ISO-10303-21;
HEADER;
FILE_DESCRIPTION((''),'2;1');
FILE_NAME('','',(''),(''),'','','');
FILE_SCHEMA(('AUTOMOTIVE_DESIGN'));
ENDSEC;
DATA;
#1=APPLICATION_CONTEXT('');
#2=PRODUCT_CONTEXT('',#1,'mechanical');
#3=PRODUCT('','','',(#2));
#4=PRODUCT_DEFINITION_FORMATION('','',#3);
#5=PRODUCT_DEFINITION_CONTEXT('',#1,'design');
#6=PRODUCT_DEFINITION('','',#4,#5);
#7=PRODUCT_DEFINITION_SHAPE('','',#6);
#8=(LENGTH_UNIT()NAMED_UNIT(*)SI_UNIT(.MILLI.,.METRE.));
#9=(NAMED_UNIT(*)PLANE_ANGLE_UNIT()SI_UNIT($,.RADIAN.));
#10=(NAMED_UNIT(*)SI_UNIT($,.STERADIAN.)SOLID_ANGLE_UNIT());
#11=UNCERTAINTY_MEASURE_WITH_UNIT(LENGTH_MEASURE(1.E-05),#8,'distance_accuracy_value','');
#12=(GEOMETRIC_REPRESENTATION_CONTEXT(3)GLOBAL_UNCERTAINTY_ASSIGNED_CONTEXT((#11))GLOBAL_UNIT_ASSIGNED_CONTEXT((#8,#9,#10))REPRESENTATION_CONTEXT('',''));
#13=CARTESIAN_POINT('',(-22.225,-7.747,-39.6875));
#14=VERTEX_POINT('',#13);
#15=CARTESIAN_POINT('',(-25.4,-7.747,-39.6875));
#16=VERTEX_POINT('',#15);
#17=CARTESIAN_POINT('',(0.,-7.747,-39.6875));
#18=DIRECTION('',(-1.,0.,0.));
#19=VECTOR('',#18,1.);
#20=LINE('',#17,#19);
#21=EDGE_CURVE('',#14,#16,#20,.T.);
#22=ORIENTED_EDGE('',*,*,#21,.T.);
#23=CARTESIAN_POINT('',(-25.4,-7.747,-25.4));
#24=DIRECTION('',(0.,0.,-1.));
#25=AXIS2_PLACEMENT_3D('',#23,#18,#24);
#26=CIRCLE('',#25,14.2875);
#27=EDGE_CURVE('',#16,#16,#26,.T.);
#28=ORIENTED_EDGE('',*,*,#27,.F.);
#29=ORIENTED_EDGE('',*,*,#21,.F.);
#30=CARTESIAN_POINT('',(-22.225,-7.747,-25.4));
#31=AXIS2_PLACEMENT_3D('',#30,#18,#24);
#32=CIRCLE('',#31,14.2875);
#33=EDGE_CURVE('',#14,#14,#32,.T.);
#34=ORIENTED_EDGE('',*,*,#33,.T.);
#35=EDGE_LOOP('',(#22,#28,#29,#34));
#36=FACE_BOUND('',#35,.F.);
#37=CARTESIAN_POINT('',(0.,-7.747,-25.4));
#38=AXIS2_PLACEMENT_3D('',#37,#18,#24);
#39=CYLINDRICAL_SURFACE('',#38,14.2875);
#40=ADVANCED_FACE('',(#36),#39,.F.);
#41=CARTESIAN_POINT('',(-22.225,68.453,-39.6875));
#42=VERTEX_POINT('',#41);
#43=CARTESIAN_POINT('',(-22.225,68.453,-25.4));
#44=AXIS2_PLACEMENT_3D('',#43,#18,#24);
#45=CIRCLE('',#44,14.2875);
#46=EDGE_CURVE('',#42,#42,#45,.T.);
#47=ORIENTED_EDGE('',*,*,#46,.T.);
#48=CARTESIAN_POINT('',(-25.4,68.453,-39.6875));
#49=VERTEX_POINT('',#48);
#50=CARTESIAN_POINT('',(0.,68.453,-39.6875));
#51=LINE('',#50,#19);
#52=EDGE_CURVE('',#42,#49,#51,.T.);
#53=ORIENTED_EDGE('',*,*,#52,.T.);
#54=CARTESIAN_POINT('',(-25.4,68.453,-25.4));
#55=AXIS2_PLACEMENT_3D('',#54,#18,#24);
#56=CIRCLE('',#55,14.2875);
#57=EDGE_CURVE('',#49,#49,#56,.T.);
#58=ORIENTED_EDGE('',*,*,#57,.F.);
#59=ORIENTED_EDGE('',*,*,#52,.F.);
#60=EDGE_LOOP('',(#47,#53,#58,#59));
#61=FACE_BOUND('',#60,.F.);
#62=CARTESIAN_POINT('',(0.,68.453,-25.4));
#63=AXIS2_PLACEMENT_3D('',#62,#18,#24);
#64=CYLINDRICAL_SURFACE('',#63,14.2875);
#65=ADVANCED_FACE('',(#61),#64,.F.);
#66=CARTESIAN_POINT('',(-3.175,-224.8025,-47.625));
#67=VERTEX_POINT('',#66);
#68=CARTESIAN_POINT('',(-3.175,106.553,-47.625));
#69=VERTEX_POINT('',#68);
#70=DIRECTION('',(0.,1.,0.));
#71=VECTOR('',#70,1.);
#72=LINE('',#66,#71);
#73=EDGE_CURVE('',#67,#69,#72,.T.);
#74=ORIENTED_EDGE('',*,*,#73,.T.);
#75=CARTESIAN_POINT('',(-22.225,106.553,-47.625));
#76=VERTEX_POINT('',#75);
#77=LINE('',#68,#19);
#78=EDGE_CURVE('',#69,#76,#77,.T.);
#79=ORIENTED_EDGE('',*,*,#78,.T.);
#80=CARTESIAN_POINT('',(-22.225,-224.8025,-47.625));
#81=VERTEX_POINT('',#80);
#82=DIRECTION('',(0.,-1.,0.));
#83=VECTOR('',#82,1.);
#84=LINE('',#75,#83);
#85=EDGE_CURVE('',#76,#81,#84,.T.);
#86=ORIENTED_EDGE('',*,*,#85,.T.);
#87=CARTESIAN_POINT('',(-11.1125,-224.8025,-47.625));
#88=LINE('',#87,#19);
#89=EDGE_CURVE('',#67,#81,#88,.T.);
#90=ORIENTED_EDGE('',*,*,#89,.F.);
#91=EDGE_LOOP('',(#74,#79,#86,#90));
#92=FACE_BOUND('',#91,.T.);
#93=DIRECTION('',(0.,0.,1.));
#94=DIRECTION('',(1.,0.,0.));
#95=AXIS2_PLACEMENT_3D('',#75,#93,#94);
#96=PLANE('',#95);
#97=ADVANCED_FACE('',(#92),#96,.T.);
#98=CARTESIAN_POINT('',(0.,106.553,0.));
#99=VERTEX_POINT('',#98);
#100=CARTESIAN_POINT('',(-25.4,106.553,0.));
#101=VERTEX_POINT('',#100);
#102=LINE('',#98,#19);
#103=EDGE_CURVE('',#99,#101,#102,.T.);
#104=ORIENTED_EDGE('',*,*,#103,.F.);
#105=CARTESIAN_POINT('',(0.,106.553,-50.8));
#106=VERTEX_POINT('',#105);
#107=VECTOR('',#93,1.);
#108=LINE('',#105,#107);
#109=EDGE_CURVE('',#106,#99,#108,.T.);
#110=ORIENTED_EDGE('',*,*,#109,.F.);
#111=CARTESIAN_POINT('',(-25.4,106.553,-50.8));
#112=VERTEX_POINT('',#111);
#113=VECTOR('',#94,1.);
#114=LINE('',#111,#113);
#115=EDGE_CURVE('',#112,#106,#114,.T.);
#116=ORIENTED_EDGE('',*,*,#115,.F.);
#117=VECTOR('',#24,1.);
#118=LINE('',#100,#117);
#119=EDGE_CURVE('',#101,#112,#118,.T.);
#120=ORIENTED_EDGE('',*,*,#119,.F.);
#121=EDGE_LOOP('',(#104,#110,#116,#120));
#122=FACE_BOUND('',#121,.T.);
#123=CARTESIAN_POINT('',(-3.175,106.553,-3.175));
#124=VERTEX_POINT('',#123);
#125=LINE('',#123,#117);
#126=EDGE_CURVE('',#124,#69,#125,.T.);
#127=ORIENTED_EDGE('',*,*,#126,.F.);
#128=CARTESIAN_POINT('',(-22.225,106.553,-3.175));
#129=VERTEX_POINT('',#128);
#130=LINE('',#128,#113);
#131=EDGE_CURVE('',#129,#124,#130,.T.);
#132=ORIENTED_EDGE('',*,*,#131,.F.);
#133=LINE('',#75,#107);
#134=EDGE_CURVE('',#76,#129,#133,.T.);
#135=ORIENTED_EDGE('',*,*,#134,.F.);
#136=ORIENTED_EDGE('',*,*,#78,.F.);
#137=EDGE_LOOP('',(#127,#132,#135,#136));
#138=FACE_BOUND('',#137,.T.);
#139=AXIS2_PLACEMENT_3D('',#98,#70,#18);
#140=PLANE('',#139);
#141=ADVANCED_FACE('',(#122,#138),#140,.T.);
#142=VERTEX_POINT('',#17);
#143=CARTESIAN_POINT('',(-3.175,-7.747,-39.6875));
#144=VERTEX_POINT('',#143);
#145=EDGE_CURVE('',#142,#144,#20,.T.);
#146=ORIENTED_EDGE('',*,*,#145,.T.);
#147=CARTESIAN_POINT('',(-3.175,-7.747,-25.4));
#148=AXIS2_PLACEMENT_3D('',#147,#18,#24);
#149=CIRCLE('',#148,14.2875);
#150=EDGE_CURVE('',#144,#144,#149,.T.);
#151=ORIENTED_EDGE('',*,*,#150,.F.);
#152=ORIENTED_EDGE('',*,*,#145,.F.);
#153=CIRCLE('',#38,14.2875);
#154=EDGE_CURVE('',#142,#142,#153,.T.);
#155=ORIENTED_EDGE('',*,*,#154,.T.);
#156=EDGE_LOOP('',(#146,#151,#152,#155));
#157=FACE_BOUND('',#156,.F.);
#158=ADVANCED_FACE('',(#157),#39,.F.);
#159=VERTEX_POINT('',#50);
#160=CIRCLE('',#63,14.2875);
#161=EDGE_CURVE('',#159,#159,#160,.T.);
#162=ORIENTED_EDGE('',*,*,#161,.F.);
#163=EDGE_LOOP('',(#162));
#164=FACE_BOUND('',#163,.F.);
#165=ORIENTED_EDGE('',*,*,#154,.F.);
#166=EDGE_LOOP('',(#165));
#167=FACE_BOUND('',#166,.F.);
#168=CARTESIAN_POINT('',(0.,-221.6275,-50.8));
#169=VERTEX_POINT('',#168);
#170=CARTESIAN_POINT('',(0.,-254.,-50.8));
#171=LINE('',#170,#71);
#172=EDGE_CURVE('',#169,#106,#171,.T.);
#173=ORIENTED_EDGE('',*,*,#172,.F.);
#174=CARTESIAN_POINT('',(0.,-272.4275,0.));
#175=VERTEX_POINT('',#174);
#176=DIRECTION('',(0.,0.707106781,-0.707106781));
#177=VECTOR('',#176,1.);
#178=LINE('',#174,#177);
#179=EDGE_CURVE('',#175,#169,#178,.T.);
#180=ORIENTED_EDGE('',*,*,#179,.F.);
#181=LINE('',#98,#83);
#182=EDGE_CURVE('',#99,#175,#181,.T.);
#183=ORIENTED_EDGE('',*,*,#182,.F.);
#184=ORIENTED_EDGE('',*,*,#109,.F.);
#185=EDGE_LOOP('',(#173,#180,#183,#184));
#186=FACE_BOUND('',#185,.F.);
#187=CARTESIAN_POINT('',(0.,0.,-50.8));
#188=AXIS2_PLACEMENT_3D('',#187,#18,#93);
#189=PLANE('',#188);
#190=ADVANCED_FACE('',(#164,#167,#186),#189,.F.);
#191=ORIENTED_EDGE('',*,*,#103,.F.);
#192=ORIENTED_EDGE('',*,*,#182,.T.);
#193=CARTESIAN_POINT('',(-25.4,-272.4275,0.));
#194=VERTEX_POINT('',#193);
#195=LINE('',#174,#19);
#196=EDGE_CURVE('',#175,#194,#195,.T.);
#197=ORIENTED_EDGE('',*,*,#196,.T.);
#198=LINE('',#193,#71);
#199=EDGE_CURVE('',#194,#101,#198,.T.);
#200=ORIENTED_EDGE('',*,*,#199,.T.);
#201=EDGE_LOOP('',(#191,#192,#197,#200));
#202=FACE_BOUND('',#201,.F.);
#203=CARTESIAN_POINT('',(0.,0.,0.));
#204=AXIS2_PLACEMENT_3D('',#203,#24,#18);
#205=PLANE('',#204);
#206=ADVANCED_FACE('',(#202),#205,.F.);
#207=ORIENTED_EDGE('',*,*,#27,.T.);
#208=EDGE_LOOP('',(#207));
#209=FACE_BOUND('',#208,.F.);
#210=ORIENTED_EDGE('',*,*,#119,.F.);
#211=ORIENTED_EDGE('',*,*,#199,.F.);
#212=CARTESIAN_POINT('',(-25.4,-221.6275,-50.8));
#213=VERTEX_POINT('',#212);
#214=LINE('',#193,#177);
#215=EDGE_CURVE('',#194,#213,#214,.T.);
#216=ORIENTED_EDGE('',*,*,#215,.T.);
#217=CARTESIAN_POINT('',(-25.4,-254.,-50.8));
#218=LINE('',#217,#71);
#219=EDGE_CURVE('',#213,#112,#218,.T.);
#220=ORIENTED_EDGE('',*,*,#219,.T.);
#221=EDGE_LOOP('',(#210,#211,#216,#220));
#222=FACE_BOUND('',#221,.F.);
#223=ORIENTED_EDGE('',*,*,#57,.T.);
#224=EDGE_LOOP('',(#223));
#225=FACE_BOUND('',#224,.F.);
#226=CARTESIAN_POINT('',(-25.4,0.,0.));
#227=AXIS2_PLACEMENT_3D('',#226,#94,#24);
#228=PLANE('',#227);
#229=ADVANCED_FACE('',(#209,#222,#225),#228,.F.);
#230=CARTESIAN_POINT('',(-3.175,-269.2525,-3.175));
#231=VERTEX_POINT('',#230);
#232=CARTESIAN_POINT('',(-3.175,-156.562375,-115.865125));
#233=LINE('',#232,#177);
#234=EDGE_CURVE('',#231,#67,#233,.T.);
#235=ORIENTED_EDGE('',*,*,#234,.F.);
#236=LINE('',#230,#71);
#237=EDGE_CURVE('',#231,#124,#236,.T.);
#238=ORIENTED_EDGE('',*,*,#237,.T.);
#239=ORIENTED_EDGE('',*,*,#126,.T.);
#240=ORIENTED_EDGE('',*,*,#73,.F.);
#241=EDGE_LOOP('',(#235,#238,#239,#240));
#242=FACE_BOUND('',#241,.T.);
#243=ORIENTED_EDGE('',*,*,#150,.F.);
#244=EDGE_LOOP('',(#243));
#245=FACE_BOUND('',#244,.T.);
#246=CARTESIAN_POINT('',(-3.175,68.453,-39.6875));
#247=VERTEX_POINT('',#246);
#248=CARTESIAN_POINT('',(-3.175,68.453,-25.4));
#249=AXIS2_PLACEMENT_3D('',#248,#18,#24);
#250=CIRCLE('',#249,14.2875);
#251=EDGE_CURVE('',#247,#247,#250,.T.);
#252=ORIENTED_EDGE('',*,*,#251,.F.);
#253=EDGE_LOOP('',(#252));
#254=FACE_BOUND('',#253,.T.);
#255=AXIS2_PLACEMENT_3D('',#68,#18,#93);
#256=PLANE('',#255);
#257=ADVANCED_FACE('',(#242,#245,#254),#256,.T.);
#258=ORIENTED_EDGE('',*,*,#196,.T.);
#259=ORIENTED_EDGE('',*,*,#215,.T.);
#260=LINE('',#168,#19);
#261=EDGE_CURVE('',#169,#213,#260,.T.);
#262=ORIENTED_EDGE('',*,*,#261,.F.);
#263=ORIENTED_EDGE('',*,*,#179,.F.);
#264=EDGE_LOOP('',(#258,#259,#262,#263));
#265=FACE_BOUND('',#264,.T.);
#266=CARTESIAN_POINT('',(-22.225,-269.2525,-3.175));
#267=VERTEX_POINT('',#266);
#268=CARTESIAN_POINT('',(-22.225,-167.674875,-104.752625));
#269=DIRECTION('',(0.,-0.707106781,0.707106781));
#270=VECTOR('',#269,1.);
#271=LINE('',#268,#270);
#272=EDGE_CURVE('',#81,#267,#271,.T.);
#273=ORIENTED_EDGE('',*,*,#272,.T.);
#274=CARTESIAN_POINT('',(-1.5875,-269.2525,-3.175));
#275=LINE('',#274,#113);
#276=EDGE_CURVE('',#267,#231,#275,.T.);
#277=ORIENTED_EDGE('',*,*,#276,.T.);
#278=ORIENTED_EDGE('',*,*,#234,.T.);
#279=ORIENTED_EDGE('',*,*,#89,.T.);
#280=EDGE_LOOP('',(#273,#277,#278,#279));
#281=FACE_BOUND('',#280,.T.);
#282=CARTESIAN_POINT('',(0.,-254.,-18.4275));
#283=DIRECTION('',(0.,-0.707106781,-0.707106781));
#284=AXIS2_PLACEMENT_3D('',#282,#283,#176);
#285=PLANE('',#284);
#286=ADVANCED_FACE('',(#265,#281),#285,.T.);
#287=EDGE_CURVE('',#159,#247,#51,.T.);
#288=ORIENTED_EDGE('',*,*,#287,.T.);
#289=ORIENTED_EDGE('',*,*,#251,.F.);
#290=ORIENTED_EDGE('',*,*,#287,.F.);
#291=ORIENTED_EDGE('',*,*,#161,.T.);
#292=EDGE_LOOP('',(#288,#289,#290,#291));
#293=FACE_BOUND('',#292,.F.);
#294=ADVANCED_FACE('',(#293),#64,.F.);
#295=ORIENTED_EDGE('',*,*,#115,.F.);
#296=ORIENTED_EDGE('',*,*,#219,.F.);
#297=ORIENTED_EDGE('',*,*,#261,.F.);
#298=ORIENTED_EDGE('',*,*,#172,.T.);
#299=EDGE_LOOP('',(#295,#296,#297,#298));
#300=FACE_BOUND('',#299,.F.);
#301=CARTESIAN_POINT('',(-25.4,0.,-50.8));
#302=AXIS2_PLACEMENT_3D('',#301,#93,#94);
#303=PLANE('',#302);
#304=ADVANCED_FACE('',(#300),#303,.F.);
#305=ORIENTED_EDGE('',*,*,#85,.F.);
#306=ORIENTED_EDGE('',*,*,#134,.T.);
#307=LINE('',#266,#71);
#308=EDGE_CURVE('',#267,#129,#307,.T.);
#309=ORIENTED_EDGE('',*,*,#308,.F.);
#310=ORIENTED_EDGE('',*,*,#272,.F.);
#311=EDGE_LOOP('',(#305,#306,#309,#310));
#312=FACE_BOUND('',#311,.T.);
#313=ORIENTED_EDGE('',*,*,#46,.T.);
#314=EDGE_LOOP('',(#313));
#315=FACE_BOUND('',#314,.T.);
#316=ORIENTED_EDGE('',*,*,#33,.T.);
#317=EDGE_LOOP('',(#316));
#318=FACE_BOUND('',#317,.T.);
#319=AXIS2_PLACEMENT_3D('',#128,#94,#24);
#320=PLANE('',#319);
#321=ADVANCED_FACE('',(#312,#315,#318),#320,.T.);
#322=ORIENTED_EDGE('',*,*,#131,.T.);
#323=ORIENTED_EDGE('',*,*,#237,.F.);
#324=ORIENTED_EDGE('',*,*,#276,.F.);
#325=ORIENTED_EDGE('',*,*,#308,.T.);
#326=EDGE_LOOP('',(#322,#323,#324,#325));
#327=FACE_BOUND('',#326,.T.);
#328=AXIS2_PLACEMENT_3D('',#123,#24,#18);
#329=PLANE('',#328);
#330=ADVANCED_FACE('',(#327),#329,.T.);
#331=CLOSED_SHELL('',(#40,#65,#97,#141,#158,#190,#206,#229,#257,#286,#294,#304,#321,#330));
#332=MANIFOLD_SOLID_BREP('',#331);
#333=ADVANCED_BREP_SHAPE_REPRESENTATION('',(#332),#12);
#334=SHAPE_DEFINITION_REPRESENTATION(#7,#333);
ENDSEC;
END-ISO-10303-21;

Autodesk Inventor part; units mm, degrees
ref_plane "YZ Plane" through (0, 0, 0) normal (1, 0, 0) x (0, 1, 0)
ref_plane "XZ Plane" through (0, 0, 0) normal (0, 1, 0) x (-1, 0, 0)
ref_plane "XY Plane" through (0, 0, 0) normal (0, 0, 1) x (1, 0, 0)
sketch "Sketch1" plane through (0, 0, 0) normal (0, 1, 0) x (-1, 0, 0)
  line L0 (0, 0) -> (25.4, 0)
  line L1 (25.4, 0) -> (25.4, -50.8)
  line L2 (25.4, -50.8) -> (0, -50.8)
  line L3 (0, -50.8) -> (0, 0)
  line L4 (22.225, -3.175) -> (3.175, -3.175)
  line L5 (3.175, -3.175) -> (3.175, -47.625)
  line L6 (3.175, -47.625) -> (22.225, -47.625)
  line L7 (22.225, -47.625) -> (22.225, -3.175)
  dimension "d0" = 25.4
  dimension "d1" = 50.8
  dimension "d2" = 3.175
extrude "Extrusion1" add sketch "Sketch1" along normal blind 106.553
sketch "Sketch3" plane through (0, 0, 0) normal (1, 0, 0) x (0, 0, -1)
  line L0 (50.8, 0) -> (0, 0) projected
  line L1 (50.8, 0) -> (50.8, 106.553) projected
  line L2 (0, 106.553) -> (50.8, 106.553) projected
  line L3 (0, 0) -> (0, 106.553) projected
  point P0 (25.4, 68.453)
  dimension "d19" = 38.1
hole "Hole2" at (0, 68.453, -25.4) direction (-1, 0, 0) diameter 28.575 end through all
sketch "Sketch4" plane through (0, 0, 0) normal (0, -1, 0) x (1, 0, 0)
  line L0 (-22.225, -47.625) -> (-22.225, -3.175) projected
  line L1 (-22.225, -3.175) -> (-3.175, -3.175) projected
  line L2 (-3.175, -3.175) -> (-3.175, -47.625) projected
  line L3 (-3.175, -47.625) -> (-22.225, -47.625) projected
  line L4 (0, 0) -> (-25.4, 0) projected
  line L5 (-25.4, 0) -> (-25.4, -50.8) projected
  line L6 (-25.4, -50.8) -> (0, -50.8) projected
  line L7 (0, -50.8) -> (0, 0) projected
extrude "Extrusion2" add sketch "Sketch4" along normal blind 254
sketch "Sketch5" plane through (0, 106.553, 0) normal (1, 0, 0) x (0, 0, -1)
  circle A0 centre (25.4, -38.1) radius 14.2875 projected
  line L0 (50.8, 0) -> (50.8, -360.553) projected
  line L1 (0, 0) -> (50.8, 0) projected
  line L2 (0, -360.553) -> (0, 0) projected
  line L3 (50.8, -360.553) -> (0, -360.553) projected
  line L4 (0, -360.553) -> (23.3209, -360.553)
  line L5 (0, -360.553) -> (50.8, -360.553) projected
  line L6 (0, -360.553) -> (9.2137, -369.7667)
  line L7 (0, -360.553) -> (9.2137, -360.553)
  line L8 (9.2137, -360.553) -> (9.2137, -369.7667)
  line L9 (9.2137, -369.7667) -> (0, -369.7667)
  line L10 (0, -369.7667) -> (0, -360.553)
  line L11 (0, -369.7667) -> (0, -378.9805)
  line L12 (0, -378.9805) -> (50.8, -328.1805)
  line L13 (50.8, 0) -> (50.8, -360.553) projected
  line L14 (50.8, -328.1805) -> (0, -328.1805)
  line L15 (0, -328.1805) -> (0, -378.9805)
  line L16 (0, -378.9805) -> (50.8, -378.9805)
  line L17 (50.8, -378.9805) -> (50.8, -328.1805)
  point P0 (0, -106.553)
  dimension "d22" = 13.0302
  dimension "d23" = 45
  dimension "d24" = 45
extrude "Extrusion3" add sketch "Sketch5" against normal blind 25.4 contours L12 L3 L2 L14 | L12 L8 L3 | L8 L6 L3 | L9 L10 L6 | L12 L11 L9
extrude "Extrusion4" cut sketch "Sketch5" against normal blind 25.4 contours L0 L3 L12 | L17 L16 L12 L3
sketch "Sketch6" plane through (0, 106.553, 0) normal (0, 1, 0) x (1, 0, 0)
  line L0 (-22.225, 3.175) -> (-22.225, 47.625) projected
  line L1 (-3.175, 3.175) -> (-22.225, 3.175) projected
  line L2 (-3.175, 47.625) -> (-3.175, 3.175) projected
  line L3 (-22.225, 47.625) -> (-3.175, 47.625) projected
  point P0 (0, 0)
extrude "Extrusion5" cut sketch "Sketch6" against normal through all
sketch "Sketch7" plane through (0, 106.553, 0) normal (1, 0, 0) x (0, 0, -1)
  line L0 (0, -378.9805) -> (50.8, -328.1805) projected
  line L1 (50.8, 0) -> (50.8, -328.1805) projected
  line L2 (0, 0) -> (50.8, 0) projected
  line L3 (0, -378.9805) -> (0, 0) projected
  circle A0 centre (25.4, -38.1) radius 14.2875 projected
  point P0 (0, -106.553)
  point P1 (25.4, -114.3)
  dimension "d31" = 76.2
hole "Hole3" at (0, -7.747, -25.4) direction (-1, 0, 0) diameter 28.575 end through all
properties part number "StorageSupport.ver1-1111-2020" material "Aluminum 6061"
